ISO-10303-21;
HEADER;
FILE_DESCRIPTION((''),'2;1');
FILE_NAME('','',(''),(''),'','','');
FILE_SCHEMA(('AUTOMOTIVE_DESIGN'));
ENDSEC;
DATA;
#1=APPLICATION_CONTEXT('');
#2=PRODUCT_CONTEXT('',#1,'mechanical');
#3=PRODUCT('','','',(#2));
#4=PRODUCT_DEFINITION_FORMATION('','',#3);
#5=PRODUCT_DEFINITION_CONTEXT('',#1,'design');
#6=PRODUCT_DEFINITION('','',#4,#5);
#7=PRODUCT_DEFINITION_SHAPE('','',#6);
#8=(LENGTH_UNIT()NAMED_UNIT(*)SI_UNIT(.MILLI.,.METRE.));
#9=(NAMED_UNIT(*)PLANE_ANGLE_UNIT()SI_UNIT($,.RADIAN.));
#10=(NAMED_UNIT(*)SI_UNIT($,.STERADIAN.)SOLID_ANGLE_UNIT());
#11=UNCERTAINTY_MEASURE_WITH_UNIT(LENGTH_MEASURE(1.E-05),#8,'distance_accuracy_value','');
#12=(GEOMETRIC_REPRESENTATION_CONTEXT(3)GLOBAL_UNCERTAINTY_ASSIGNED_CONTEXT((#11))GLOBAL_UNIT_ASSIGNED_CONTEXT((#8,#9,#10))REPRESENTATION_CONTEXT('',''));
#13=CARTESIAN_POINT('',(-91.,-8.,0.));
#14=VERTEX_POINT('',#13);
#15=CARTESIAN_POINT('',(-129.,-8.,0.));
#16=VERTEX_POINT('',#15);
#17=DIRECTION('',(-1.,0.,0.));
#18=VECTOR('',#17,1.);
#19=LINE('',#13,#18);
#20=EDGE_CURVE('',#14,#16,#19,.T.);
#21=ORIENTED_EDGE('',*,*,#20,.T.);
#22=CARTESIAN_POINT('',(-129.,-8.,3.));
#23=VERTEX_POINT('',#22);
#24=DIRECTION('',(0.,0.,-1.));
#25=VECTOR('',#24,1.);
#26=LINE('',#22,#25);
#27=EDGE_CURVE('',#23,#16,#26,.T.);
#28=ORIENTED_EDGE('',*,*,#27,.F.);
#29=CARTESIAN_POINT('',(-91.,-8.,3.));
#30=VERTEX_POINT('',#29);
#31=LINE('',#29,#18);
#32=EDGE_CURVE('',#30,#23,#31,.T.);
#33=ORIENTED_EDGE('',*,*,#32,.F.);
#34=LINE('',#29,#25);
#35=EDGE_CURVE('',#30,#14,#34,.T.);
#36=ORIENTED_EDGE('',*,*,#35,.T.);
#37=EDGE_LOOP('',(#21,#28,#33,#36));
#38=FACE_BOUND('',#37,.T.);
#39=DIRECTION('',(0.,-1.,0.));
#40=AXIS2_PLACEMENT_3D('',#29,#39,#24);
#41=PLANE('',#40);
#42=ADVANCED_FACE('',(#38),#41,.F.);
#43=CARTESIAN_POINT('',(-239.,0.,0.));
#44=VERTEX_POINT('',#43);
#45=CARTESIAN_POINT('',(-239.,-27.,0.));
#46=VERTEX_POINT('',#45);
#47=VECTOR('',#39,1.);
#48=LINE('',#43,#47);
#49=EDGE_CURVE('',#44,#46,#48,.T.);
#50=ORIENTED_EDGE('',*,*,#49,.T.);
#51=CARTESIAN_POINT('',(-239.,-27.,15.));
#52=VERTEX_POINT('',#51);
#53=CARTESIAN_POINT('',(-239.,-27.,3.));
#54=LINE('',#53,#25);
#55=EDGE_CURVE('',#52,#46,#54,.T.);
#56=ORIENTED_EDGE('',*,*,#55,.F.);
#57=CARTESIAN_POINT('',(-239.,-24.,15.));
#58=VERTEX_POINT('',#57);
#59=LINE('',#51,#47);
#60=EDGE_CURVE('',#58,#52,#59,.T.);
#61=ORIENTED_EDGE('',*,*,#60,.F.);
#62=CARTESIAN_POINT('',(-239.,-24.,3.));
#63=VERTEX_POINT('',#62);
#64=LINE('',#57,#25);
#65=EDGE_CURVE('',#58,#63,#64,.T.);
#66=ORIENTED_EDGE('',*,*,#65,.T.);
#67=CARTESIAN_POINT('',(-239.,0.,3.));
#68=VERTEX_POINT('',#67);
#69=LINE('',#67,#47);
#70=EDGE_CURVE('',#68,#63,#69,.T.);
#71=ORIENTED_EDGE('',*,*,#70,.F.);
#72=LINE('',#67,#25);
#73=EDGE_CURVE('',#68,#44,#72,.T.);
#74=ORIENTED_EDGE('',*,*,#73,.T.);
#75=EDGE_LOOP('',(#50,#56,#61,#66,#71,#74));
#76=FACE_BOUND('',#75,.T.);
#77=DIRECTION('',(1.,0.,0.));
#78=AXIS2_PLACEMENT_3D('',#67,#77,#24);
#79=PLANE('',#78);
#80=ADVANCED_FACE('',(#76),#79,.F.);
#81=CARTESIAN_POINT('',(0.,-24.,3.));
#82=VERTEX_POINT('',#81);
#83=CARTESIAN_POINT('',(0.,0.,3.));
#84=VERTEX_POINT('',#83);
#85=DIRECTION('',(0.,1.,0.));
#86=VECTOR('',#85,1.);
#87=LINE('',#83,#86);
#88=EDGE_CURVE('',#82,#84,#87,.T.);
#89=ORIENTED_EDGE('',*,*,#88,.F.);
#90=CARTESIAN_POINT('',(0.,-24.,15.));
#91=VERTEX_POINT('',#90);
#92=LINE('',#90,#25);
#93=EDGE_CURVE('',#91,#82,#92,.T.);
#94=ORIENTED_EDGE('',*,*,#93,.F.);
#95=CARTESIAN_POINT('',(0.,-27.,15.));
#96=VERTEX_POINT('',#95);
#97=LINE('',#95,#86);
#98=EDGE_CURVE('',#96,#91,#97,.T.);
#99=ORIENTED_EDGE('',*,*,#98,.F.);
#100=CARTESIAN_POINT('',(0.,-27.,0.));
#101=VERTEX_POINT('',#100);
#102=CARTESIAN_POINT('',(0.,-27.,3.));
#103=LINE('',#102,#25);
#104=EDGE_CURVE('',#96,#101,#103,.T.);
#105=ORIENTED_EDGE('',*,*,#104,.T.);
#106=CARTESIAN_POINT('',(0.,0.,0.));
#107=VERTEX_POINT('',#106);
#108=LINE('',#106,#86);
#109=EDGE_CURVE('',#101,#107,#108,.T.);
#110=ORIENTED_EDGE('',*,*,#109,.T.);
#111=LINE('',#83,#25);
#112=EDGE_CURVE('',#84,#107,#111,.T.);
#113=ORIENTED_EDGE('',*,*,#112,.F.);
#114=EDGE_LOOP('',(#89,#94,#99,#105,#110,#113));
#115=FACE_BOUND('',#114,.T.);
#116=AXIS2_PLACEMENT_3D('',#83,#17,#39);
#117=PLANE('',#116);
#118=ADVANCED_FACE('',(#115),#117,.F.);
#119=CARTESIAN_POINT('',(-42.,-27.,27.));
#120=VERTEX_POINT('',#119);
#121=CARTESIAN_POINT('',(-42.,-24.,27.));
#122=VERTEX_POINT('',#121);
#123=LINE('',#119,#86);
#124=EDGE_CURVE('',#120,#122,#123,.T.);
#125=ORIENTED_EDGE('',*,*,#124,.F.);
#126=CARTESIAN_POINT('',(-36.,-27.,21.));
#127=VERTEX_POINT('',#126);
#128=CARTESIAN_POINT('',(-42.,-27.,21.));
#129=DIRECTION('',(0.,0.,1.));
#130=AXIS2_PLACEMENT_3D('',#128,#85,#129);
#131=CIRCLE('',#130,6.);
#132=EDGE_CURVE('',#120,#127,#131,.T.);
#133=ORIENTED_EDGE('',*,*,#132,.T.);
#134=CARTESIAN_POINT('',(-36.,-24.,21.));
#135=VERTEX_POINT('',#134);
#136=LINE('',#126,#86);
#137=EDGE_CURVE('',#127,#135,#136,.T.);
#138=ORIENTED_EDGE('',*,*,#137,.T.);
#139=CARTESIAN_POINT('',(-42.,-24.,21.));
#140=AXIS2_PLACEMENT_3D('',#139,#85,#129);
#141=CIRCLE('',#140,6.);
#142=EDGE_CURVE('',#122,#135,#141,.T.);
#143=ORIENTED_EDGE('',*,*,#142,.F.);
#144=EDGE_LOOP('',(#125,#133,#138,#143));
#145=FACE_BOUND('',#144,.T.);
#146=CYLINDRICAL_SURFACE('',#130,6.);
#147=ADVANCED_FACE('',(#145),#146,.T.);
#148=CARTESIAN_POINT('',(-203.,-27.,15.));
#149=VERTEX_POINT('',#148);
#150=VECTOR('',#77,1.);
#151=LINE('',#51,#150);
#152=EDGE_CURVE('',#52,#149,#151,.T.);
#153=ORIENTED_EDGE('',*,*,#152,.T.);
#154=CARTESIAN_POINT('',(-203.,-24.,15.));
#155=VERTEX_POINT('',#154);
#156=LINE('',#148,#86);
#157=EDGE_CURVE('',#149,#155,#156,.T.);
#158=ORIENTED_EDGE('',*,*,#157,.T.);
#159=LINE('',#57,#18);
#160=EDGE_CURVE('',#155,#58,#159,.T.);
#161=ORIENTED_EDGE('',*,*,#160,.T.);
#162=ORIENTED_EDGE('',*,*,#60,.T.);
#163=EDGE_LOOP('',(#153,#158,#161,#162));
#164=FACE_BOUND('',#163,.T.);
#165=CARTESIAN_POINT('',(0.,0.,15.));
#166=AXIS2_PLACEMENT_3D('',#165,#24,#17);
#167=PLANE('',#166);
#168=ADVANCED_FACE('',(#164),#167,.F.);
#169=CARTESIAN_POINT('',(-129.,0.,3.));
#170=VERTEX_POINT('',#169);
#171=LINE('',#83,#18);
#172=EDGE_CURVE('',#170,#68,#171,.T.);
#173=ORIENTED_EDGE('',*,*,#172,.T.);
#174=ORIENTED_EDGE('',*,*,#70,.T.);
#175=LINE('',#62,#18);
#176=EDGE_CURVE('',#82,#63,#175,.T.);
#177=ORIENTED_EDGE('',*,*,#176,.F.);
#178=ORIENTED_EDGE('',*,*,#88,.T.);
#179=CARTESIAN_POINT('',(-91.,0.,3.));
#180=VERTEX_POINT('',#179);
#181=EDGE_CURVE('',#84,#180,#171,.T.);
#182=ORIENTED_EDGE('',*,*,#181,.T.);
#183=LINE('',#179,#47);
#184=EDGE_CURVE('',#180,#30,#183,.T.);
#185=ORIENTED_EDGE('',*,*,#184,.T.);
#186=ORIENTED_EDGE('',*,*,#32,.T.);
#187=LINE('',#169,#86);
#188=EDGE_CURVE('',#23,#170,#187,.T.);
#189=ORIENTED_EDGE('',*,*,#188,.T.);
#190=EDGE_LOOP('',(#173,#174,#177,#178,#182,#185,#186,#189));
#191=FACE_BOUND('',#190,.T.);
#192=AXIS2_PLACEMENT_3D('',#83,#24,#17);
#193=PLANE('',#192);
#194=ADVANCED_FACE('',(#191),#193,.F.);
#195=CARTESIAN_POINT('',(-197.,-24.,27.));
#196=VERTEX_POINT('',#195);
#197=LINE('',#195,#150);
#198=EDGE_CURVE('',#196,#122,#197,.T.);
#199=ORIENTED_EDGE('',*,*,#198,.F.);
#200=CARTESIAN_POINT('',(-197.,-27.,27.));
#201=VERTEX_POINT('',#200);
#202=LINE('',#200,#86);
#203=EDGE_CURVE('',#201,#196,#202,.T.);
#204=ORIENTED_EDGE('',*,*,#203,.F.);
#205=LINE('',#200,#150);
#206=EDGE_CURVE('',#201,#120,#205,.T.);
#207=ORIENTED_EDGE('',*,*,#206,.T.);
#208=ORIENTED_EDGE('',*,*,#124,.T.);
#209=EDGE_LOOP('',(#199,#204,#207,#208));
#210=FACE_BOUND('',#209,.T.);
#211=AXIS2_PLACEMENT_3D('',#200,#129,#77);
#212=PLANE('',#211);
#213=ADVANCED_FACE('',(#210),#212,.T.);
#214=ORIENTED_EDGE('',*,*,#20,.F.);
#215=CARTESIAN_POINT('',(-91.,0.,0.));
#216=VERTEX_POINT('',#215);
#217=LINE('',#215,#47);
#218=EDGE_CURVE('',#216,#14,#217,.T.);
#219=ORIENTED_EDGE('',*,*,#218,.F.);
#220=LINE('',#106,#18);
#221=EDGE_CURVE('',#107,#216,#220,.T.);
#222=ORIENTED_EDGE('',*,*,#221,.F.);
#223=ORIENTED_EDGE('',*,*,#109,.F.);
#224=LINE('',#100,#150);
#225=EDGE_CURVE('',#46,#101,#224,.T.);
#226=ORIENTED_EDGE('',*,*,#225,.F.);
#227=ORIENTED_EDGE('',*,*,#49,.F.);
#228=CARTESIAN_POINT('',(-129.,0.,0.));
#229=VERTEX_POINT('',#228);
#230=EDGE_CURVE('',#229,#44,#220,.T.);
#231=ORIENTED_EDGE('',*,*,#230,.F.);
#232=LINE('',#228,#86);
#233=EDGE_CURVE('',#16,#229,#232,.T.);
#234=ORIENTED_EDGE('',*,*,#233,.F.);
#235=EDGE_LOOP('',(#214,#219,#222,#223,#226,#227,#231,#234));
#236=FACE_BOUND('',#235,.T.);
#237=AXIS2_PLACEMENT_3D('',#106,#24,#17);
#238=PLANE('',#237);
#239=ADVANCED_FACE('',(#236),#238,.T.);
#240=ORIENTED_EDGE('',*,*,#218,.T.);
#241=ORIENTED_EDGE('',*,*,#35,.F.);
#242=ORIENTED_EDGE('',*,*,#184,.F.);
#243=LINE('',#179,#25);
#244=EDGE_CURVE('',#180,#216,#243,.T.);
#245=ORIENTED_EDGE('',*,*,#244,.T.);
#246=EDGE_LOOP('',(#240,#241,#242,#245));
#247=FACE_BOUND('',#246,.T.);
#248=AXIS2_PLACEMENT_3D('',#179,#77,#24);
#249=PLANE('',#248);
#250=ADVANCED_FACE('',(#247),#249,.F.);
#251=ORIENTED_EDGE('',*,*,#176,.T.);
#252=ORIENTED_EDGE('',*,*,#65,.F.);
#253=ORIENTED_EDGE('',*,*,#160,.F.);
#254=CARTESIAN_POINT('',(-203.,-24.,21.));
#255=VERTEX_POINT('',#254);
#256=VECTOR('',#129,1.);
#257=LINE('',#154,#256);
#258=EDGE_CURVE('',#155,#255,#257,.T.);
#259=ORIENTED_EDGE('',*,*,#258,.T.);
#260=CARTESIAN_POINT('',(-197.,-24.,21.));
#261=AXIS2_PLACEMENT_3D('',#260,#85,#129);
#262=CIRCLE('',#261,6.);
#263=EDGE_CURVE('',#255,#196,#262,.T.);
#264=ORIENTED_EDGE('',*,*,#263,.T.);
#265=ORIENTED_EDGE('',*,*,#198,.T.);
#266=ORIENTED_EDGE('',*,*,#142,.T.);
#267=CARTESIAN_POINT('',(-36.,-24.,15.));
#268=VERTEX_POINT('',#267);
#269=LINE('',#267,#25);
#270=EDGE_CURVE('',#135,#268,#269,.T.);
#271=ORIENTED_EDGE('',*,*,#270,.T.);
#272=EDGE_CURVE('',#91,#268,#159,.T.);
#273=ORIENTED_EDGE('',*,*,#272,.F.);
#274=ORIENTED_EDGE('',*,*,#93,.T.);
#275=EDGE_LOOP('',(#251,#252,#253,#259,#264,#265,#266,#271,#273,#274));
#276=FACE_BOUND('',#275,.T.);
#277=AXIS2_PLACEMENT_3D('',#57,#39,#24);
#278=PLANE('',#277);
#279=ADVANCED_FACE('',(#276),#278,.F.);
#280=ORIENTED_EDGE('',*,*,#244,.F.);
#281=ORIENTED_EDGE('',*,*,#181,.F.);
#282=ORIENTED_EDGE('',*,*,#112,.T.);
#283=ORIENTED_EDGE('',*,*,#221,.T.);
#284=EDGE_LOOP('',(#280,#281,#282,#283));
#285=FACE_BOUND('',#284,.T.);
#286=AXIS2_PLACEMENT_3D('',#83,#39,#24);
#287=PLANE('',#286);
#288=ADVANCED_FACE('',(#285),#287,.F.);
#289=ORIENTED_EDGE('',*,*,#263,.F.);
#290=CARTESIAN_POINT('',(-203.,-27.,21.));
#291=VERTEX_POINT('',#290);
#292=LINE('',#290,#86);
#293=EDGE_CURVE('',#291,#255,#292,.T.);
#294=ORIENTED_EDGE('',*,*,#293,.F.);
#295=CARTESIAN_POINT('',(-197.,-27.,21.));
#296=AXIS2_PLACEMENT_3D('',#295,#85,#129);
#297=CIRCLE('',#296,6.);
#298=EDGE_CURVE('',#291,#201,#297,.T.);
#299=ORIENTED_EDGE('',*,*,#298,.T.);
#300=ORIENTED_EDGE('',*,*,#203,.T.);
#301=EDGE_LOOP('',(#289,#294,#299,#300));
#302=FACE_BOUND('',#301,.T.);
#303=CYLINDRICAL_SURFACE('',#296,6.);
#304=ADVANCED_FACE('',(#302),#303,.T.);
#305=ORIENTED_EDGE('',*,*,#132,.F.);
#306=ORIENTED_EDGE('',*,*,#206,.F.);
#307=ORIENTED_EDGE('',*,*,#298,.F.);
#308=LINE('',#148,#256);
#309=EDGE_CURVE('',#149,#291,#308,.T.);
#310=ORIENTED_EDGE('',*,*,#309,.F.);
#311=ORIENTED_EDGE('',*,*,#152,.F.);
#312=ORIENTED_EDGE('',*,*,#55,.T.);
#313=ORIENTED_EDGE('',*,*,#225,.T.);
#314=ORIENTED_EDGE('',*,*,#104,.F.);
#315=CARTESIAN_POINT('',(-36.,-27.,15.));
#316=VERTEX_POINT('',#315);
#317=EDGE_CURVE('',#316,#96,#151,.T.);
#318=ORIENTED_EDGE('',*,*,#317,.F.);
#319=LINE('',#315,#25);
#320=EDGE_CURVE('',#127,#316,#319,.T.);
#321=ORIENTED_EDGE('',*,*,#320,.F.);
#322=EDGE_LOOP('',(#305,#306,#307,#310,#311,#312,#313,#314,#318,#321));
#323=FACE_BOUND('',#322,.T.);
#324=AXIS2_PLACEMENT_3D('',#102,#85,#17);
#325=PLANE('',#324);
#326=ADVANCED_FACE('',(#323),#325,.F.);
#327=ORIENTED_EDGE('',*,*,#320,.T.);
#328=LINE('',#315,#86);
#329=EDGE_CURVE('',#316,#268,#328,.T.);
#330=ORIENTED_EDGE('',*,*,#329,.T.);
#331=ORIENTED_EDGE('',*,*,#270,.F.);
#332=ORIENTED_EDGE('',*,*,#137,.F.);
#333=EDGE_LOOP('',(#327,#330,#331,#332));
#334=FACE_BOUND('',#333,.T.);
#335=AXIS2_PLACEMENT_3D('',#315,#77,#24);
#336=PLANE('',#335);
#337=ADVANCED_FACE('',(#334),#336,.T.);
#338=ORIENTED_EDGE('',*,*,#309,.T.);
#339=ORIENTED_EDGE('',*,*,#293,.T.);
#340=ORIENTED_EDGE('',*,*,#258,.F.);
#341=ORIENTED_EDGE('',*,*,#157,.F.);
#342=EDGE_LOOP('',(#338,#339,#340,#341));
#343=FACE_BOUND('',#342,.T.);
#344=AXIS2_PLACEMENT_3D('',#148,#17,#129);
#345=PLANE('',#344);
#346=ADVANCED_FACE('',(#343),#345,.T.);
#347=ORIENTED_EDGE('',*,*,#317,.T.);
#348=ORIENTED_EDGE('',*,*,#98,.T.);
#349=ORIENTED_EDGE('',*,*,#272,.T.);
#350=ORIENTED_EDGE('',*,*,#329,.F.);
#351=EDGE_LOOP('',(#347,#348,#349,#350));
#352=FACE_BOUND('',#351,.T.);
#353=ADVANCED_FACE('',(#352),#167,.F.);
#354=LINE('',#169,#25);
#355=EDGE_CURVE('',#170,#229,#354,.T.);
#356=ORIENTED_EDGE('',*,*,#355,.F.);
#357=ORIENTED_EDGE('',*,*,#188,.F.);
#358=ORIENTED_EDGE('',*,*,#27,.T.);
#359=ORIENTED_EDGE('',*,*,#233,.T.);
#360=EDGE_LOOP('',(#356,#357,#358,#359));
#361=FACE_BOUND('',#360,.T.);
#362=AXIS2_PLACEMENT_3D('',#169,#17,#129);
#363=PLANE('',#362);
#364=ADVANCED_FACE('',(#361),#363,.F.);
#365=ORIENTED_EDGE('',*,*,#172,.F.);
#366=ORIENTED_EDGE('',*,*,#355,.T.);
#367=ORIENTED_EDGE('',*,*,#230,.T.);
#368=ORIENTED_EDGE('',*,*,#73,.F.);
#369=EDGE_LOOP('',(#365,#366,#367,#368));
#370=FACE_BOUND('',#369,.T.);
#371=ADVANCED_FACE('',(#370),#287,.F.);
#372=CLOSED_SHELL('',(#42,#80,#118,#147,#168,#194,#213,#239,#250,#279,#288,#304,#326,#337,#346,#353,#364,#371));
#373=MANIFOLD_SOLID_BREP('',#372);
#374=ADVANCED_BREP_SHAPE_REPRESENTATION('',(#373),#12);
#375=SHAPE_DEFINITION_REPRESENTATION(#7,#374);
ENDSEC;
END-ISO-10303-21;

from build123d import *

# Parameters (mm, degrees)
SKETCH2_W           = 239
SKETCH2_H           = 27
BOSS_EXTRUDE1_DEPTH = 3
SKETCH3_W           = 239
SKETCH3_H           = 3
BOSS_EXTRUDE2_DEPTH = 12
BOSS_EXTRUDE4_DEPTH = 3
SKETCH5_W           = 38
SKETCH5_H           = 8
CUT_EXTRUDE1_DEPTH  = 3


with BuildPart() as part:
    # Sketch2 → Boss-Extrude1 (new body)
    with BuildSketch(Plane.XY):
        with Locations((-119.5, -13.5)):
            Rectangle(SKETCH2_W, SKETCH2_H)
    extrude(amount=BOSS_EXTRUDE1_DEPTH)

    # Sketch3 → Boss-Extrude2 (add)
    with BuildSketch(Plane.XY.offset(3)):
        with Locations((-119.5, -25.5)):
            Rectangle(SKETCH3_W, SKETCH3_H)
    extrude(amount=BOSS_EXTRUDE2_DEPTH)

    # Sketch4 → Boss-Extrude4 (add)
    with BuildSketch(Plane(origin=(0, -24, 0), x_dir=(1, 0, 0), z_dir=(0, 1, 0))):
        with BuildLine():
            Line((-203, -15), (-36, -15))
            Line((-36, -15), (-36, -21))
            ThreePointArc((-36, -21), (-37.757359313, -25.242640687), (-42, -27))
            Line((-42, -27), (-197, -27))
            ThreePointArc((-197, -27), (-201.242640687, -25.242640687), (-203, -21))
            Line((-203, -21), (-203, -15))
        make_face()
    extrude(amount=-BOSS_EXTRUDE4_DEPTH)

    # Sketch5 → Cut-Extrude1 (cut)
    with BuildSketch(Plane(origin=(0, 0, 0), x_dir=(-1, 0, 0), z_dir=(0, 0, -1))):
        with Locations((110, -4)):
            Rectangle(SKETCH5_W, SKETCH5_H)
    extrude(amount=-CUT_EXTRUDE1_DEPTH, mode=Mode.SUBTRACT)


solid = part.part
